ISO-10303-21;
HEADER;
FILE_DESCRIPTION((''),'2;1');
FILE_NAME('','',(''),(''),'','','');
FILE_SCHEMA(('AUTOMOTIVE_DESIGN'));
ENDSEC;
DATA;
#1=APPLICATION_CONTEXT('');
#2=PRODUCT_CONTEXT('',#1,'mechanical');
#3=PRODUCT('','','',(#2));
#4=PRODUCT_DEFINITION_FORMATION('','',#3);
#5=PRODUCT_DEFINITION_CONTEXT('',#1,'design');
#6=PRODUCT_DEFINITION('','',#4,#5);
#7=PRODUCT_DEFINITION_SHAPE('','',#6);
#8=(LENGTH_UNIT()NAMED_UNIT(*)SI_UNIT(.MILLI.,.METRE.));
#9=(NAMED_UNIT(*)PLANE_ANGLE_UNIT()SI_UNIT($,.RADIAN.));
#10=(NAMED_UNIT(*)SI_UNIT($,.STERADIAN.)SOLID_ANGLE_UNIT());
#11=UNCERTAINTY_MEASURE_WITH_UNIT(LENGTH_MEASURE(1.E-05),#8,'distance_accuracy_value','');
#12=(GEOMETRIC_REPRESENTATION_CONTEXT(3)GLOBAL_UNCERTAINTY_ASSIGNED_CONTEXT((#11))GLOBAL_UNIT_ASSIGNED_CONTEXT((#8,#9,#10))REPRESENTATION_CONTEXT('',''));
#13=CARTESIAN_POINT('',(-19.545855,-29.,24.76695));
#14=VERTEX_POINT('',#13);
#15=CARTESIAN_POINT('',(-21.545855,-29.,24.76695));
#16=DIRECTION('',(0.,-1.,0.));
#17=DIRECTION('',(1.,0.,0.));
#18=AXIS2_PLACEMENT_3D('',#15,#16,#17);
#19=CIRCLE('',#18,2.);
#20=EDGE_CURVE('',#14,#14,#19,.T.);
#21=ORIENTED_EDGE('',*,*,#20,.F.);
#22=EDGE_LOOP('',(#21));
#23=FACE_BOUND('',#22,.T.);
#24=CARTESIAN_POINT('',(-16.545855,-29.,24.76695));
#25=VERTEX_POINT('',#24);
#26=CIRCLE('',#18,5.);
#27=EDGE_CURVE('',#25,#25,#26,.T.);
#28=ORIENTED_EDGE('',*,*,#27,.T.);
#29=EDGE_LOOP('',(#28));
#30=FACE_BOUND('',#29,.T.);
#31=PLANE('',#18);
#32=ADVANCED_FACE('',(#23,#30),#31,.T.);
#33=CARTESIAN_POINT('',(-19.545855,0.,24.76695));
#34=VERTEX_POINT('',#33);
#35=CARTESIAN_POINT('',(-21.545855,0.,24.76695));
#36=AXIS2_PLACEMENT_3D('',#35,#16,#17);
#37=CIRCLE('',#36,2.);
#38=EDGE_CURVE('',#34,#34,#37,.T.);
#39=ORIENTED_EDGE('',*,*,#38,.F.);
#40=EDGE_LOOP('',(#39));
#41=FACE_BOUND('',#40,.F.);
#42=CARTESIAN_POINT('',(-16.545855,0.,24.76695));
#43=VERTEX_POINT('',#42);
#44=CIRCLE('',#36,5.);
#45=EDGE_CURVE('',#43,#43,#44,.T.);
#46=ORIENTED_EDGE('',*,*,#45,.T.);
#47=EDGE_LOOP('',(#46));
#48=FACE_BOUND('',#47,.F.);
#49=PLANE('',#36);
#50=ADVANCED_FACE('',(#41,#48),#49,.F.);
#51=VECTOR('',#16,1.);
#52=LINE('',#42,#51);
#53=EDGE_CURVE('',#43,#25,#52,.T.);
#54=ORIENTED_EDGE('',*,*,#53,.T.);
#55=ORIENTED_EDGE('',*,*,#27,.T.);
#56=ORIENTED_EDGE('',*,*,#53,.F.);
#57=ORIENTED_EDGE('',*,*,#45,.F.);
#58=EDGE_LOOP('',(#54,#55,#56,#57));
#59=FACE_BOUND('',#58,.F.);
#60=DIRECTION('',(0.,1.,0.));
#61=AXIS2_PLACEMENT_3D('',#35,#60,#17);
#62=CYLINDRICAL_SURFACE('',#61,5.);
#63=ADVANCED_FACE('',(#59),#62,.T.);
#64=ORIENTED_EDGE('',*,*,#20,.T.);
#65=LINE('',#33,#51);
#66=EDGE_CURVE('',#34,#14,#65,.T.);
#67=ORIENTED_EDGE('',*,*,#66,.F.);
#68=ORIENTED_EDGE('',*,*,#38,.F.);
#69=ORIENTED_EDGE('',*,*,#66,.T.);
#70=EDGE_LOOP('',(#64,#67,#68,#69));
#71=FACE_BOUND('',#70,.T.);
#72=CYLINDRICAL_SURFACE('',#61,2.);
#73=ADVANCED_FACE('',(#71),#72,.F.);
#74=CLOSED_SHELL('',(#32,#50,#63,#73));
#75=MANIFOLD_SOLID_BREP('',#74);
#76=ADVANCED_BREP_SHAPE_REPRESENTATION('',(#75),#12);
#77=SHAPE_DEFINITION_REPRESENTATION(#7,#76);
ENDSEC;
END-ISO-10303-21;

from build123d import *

# Parameters (mm, degrees)
F0_R     = 5
F0_R_2   = 2
F1_DEPTH = 29
F2_DEPTH = 4


with BuildPart() as f1:
    # F0 (on Front) → F1 (new body)
    with BuildSketch(Plane.XZ):
        with Locations((-21.545855, 24.76695)):
            Circle(F0_R)
        with Locations((-21.545855, 24.76695)):
            Circle(F0_R_2, mode=Mode.SUBTRACT)
    extrude(amount=F1_DEPTH)


with BuildPart() as f2:
    # F0 (on Front) → F2 (new body)
    with BuildSketch(Plane.XZ):
        with Locations((-21.545855, 24.76695)):
            Circle(F0_R_2)
    extrude(amount=-F2_DEPTH)


solid = f1.part
